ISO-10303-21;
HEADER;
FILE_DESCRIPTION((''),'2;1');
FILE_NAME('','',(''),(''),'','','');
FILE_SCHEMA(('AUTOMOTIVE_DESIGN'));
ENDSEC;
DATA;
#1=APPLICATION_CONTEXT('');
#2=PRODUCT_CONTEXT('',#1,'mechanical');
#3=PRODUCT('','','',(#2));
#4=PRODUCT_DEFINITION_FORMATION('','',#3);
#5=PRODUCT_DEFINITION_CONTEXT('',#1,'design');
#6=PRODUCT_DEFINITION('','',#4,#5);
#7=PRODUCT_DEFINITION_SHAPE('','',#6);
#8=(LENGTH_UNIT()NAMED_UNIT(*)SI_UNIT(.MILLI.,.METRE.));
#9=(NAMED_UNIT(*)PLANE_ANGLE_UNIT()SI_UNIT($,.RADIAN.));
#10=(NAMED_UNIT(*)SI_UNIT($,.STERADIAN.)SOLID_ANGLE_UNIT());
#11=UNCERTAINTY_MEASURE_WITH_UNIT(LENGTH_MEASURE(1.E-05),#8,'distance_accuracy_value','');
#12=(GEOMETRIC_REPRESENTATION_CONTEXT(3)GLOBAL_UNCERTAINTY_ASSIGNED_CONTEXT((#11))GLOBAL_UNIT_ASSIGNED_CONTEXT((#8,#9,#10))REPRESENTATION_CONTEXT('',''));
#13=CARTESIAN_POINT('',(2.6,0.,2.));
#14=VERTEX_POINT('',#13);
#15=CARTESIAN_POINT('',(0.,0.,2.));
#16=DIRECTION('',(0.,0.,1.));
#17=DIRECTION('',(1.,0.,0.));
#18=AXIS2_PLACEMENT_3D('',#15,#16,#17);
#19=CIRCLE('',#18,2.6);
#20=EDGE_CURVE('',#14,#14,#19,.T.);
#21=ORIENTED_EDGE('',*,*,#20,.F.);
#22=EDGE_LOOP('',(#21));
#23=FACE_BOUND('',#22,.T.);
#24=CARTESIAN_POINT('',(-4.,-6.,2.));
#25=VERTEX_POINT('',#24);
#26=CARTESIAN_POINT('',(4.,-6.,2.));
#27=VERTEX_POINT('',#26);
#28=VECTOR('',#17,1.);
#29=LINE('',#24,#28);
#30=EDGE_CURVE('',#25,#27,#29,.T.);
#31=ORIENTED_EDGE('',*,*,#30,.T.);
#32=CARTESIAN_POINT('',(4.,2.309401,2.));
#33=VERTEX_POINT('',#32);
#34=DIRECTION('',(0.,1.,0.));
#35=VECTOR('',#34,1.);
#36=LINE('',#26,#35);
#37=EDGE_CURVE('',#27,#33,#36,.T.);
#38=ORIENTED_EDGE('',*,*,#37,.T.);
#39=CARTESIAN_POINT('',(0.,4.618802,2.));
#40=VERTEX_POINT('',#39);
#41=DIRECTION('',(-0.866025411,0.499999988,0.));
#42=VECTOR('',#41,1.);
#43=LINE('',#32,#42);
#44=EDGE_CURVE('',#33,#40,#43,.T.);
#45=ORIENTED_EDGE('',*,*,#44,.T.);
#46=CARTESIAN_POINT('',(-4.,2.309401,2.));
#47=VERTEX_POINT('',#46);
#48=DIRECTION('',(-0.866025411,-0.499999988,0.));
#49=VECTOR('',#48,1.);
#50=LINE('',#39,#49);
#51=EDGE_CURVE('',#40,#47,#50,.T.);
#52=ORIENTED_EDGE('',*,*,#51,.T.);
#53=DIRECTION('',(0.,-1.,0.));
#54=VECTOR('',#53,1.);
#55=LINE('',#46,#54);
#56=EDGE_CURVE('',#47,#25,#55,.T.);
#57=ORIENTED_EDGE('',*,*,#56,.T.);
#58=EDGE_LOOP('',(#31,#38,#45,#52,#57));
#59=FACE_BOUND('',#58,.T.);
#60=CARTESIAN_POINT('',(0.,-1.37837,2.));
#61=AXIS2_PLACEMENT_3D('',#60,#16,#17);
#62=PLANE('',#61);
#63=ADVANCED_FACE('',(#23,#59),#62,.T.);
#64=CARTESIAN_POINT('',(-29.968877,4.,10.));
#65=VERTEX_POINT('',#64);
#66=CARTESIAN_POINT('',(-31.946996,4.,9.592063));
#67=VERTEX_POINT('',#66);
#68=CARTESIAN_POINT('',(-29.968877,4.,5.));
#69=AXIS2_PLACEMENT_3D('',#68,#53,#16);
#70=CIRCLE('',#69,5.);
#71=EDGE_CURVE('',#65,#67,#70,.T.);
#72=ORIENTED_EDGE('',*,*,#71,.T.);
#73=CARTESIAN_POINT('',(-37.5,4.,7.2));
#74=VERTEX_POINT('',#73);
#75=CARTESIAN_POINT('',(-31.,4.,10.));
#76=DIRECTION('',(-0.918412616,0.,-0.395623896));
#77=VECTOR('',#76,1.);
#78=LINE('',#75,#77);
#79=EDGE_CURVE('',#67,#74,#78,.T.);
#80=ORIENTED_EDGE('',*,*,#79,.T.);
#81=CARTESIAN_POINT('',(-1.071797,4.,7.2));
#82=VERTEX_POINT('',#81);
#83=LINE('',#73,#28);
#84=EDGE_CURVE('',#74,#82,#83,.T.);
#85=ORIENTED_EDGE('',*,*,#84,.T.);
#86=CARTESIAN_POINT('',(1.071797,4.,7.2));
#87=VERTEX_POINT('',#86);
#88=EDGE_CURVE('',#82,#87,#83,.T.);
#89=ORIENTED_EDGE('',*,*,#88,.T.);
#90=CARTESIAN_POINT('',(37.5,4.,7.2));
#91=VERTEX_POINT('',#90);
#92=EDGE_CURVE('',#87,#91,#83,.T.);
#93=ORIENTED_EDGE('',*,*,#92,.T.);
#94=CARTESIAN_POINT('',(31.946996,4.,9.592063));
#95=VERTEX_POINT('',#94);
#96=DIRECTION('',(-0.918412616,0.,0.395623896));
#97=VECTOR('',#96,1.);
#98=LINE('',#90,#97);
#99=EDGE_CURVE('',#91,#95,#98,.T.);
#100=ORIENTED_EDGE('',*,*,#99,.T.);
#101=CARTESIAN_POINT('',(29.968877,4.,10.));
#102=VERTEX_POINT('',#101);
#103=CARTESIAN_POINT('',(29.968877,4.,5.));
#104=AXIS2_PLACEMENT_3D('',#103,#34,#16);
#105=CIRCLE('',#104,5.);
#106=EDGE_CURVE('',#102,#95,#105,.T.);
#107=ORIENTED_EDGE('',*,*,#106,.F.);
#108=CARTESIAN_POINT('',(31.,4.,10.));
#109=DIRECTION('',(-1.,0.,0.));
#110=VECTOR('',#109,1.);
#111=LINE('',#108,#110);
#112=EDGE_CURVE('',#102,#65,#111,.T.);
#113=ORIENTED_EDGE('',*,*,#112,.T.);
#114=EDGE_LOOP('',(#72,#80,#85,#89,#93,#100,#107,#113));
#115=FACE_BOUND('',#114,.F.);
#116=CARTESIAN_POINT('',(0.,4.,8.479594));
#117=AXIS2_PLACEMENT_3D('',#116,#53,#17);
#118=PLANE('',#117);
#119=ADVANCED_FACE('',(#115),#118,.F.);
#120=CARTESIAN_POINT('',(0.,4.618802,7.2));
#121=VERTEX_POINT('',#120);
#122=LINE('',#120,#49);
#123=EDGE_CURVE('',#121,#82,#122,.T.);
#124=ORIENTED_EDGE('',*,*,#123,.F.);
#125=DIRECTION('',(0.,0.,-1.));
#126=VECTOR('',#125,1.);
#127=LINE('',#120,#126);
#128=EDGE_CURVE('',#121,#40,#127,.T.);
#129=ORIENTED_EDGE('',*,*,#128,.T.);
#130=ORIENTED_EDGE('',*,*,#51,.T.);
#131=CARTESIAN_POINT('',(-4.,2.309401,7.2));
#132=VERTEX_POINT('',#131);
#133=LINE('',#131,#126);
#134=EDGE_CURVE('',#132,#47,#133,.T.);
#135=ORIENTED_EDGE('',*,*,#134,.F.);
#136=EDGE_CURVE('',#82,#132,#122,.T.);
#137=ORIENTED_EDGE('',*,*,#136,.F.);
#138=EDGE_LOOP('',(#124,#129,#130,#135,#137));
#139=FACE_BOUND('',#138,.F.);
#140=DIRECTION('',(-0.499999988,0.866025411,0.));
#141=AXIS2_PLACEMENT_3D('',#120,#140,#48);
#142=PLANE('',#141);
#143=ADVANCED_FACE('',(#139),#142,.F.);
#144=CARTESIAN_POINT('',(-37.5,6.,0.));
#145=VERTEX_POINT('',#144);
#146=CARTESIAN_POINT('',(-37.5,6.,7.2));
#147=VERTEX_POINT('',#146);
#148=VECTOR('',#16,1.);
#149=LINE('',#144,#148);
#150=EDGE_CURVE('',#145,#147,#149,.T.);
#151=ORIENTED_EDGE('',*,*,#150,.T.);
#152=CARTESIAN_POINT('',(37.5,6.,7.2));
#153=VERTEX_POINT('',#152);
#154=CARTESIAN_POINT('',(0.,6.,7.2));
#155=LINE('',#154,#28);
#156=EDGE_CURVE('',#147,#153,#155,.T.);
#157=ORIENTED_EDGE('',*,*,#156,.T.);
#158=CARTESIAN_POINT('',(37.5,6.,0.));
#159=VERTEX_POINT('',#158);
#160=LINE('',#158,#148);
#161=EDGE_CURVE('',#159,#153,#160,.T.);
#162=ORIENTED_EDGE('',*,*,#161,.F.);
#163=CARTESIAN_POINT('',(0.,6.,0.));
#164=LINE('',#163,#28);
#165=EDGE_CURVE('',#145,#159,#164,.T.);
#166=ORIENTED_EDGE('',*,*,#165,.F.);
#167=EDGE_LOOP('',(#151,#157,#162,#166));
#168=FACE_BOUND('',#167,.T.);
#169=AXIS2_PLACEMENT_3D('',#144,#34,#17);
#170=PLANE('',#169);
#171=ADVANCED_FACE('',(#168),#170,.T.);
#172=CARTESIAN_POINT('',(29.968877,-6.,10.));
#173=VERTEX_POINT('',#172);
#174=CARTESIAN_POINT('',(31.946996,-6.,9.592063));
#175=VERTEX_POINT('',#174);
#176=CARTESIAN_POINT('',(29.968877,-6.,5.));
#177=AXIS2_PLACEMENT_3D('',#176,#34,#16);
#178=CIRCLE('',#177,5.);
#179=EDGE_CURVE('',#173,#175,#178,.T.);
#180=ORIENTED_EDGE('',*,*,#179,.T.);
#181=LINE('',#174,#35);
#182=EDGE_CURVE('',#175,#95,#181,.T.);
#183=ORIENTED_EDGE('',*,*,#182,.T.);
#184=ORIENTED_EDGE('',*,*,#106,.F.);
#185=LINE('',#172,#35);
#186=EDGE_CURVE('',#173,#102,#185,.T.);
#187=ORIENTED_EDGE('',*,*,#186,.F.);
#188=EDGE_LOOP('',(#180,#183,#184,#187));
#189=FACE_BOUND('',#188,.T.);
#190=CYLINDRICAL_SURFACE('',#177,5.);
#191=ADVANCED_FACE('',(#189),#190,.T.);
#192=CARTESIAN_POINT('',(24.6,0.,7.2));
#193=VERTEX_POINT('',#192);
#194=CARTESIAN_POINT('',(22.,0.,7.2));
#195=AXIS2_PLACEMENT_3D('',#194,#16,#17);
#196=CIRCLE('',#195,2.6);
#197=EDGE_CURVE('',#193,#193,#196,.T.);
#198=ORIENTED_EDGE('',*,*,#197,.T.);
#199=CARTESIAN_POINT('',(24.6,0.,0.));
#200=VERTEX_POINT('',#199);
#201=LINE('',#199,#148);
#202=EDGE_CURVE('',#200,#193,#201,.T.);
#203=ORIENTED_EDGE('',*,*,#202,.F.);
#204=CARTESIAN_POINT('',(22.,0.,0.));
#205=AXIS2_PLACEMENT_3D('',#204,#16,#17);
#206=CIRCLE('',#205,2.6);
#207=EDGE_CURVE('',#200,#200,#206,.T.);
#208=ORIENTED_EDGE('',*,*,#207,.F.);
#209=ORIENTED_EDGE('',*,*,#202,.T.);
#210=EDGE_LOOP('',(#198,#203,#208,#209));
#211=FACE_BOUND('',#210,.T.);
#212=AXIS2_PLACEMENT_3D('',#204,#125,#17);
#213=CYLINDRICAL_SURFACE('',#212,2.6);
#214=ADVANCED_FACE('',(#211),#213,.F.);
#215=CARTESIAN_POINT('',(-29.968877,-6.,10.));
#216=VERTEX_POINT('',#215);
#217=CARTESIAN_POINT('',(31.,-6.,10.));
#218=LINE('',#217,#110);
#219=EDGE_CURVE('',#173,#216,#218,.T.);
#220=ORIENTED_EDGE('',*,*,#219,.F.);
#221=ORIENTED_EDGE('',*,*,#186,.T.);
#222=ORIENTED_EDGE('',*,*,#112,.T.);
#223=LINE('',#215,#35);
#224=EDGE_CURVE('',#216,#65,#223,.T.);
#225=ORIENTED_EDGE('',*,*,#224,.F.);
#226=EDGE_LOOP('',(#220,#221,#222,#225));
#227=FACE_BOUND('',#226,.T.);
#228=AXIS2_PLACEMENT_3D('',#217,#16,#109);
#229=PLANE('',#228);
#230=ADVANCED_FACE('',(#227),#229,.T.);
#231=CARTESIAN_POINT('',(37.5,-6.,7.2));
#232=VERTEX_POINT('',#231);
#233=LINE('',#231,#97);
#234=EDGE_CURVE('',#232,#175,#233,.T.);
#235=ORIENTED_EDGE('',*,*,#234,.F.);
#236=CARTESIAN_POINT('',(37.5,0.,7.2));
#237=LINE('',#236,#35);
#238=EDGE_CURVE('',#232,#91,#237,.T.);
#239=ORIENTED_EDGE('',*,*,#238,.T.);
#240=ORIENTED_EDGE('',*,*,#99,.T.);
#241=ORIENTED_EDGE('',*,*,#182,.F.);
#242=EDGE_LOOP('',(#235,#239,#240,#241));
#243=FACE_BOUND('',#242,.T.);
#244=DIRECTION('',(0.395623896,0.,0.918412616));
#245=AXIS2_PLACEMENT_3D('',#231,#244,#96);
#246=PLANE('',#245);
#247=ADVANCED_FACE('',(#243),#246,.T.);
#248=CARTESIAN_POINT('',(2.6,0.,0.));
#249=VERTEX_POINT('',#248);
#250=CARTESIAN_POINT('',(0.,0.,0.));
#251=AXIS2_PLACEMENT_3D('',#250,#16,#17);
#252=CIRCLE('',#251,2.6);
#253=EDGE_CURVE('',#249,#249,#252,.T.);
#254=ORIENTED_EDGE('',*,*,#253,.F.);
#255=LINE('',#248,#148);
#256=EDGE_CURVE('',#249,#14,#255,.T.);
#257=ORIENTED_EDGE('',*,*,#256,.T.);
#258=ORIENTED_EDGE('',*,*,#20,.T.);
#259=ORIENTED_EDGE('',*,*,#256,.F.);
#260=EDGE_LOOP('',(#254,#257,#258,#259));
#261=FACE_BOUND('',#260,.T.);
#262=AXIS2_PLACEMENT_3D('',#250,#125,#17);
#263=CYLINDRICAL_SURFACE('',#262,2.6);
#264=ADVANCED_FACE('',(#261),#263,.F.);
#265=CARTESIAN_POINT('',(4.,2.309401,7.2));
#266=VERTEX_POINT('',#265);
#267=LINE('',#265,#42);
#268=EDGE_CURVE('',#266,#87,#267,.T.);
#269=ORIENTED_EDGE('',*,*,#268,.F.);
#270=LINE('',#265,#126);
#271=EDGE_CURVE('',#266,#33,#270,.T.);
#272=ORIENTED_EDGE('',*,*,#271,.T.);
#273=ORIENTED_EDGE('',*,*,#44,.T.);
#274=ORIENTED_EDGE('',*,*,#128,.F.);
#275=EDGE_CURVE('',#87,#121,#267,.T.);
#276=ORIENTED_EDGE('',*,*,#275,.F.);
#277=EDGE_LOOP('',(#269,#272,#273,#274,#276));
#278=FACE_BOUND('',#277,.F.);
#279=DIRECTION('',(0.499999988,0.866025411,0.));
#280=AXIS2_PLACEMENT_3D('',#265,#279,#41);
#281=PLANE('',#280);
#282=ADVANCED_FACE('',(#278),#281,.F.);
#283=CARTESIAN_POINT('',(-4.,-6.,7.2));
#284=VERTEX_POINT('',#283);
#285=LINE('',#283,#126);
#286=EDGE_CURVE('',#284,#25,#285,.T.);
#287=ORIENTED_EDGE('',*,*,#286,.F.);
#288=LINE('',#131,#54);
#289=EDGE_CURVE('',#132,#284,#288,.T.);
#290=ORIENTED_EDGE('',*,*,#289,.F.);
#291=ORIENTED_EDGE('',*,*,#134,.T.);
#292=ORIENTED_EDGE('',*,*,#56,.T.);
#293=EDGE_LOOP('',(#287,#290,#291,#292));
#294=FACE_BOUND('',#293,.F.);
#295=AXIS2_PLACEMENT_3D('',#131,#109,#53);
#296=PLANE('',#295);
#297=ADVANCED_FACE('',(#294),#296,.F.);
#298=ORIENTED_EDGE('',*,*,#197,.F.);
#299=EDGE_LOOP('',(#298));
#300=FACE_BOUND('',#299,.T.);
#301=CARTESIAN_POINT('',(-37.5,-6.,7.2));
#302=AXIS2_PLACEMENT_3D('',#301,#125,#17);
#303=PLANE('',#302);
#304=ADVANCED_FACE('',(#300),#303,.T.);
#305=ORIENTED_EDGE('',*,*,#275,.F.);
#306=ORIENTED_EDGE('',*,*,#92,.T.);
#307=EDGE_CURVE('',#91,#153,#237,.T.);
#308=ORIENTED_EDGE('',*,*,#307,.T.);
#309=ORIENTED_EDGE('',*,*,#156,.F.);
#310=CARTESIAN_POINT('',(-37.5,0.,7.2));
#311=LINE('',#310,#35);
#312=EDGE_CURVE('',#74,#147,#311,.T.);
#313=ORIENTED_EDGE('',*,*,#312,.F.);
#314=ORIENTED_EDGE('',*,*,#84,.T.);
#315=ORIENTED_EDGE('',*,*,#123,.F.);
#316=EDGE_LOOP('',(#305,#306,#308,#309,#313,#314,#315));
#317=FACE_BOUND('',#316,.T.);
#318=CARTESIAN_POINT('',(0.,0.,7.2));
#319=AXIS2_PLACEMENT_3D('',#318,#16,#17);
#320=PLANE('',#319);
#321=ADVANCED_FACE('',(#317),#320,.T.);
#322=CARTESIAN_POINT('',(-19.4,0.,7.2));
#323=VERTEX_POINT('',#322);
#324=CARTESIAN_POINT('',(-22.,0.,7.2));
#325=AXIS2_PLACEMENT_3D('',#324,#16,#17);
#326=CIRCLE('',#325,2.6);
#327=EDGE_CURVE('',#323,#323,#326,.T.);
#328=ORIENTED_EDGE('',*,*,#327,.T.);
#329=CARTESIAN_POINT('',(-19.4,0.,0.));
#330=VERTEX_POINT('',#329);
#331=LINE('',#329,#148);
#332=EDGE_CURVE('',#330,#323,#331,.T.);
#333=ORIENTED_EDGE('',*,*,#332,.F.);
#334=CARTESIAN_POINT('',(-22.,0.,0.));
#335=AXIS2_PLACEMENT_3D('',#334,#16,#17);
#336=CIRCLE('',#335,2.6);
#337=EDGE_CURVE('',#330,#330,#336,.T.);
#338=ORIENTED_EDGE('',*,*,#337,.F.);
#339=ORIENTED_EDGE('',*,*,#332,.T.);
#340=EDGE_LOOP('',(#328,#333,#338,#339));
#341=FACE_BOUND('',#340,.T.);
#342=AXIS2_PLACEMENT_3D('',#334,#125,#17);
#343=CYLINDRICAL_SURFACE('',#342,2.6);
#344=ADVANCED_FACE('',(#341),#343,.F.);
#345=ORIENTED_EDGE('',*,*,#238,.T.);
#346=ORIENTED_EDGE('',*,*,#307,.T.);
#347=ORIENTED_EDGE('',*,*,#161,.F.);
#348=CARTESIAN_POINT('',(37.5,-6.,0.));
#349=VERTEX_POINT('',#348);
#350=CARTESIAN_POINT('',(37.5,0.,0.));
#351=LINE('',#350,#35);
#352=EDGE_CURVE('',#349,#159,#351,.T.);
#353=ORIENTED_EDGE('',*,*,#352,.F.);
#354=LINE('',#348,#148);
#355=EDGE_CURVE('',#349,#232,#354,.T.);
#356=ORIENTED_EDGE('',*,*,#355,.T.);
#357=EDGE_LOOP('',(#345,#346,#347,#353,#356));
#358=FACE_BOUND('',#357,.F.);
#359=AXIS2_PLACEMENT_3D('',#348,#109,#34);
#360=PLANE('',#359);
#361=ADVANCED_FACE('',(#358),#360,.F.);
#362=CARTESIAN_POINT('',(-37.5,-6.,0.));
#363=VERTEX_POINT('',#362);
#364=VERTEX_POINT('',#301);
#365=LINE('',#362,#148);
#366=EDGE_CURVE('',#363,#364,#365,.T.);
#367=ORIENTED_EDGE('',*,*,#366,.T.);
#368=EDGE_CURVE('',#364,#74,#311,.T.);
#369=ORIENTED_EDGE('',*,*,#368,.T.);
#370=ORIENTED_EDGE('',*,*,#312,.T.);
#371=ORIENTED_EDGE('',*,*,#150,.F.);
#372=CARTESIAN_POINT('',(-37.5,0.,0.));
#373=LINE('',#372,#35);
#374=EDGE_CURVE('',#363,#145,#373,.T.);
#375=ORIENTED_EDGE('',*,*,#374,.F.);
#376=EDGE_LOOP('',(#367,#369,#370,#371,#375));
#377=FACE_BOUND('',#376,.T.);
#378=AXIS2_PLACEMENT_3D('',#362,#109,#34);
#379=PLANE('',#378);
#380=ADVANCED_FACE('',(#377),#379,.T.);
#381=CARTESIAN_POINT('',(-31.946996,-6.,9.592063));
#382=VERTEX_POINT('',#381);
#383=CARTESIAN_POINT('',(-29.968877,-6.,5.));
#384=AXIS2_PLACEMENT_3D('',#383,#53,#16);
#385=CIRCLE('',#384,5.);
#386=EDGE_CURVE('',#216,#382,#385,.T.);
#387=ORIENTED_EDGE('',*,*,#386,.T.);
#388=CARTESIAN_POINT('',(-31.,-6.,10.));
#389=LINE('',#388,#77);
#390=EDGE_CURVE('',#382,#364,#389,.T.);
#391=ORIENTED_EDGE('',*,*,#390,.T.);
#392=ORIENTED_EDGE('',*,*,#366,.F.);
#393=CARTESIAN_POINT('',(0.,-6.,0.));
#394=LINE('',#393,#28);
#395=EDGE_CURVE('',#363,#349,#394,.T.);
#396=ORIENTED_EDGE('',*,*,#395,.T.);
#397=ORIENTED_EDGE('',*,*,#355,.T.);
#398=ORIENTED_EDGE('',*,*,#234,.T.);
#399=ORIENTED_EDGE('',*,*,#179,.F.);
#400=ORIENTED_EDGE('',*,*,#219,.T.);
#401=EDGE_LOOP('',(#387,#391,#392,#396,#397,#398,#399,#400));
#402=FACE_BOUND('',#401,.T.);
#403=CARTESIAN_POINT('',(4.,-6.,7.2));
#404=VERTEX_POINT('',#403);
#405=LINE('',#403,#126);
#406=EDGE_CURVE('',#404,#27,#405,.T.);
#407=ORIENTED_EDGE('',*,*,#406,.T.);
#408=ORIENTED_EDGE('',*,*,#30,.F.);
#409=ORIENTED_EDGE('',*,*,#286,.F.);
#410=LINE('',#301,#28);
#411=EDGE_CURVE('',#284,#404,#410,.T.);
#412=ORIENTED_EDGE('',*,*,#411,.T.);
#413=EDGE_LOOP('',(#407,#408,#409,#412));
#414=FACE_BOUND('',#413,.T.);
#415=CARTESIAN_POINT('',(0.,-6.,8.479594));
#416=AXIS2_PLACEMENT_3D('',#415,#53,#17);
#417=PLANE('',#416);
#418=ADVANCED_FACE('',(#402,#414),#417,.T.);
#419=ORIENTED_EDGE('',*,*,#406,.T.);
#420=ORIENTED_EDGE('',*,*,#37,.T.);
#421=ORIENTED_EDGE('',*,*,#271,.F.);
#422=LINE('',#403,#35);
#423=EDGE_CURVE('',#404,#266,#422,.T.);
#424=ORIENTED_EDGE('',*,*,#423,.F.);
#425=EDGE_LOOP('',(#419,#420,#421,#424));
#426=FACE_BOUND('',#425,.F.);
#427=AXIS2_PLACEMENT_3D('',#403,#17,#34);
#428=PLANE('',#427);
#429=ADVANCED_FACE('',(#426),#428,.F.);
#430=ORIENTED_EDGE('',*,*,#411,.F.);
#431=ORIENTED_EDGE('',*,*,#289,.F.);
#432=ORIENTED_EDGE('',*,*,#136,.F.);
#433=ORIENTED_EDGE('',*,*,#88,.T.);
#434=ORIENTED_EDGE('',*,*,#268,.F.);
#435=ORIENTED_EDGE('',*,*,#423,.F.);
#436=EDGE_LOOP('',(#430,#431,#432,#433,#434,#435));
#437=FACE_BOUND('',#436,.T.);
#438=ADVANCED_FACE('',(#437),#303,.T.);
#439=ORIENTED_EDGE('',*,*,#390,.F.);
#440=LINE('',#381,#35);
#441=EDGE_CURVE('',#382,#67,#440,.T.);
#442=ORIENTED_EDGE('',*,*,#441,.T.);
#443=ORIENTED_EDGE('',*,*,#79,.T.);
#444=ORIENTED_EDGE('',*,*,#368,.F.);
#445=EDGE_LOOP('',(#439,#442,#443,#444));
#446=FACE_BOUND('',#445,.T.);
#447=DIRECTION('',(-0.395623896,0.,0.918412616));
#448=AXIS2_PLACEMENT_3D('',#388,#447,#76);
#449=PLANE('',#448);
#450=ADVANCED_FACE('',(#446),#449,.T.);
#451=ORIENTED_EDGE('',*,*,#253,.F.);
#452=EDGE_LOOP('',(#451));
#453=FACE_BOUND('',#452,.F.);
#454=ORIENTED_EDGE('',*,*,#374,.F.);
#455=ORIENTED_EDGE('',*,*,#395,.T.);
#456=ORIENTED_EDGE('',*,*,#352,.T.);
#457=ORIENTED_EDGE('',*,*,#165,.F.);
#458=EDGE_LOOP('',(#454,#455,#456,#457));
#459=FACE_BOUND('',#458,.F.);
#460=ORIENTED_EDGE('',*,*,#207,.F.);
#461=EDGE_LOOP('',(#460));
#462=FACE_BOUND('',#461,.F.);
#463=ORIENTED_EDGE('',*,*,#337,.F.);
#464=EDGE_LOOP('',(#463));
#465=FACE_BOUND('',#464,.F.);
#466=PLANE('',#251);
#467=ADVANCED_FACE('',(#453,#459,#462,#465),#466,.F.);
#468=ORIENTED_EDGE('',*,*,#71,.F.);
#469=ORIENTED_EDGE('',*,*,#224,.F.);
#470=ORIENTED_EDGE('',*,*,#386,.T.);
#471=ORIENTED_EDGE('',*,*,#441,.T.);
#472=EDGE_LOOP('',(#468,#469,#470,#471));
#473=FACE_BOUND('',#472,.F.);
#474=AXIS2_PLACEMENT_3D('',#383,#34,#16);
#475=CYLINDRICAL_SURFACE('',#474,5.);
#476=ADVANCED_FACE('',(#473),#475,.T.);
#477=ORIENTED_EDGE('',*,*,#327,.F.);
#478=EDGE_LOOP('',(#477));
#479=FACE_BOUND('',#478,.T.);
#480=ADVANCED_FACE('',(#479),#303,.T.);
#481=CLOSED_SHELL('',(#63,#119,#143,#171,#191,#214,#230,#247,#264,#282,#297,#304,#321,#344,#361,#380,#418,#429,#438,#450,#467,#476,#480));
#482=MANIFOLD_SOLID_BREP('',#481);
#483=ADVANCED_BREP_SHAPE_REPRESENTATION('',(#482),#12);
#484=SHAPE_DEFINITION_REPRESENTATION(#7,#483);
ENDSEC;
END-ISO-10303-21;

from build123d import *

# Parameters (mm, degrees)
F0_W     = 75
F0_H     = 12
F0_R     = 2.6
F1_DEPTH = 7.2
F2_R     = 2.6
F3_DEPTH = 5.2
F5_DEPTH = 10
F6_R     = 5


with BuildPart() as f1:
    # F0 (on Top) → F1 (new body)
    with BuildSketch(Plane.XY):
        Rectangle(F0_W, F0_H)
        with Locations((-22, 0)):
            Circle(F0_R, mode=Mode.SUBTRACT)
        Circle(F0_R, mode=Mode.SUBTRACT)
        with Locations((22, 0)):
            Circle(F0_R, mode=Mode.SUBTRACT)
    extrude(amount=F1_DEPTH)

    # F2 (on face) → F3 (cut)
    with BuildSketch(Plane.XY.offset(7.2)):
        Polygon((4, -2.309401), (4, 2.309401), (0, 4.618802), (-4, 2.309401), (-4, -2.309401), (-4, -6), (4, -6), align=None)
        Circle(F2_R, mode=Mode.SUBTRACT)
    extrude(amount=-F3_DEPTH, mode=Mode.SUBTRACT)

    # F4 (on face) → F5 (join)
    with BuildSketch(Plane.XZ.offset(6)):
        Polygon((31, 10), (-31, 10), (-37.5, 7.2), (37.5, 7.2), align=None)
    extrude(amount=-F5_DEPTH)

    # F6
    f6_edges = [f1.edges().sort_by_distance(p)[0] for p in [
        (-31, -1, 10),
        (31, -1, 10),
    ]]
    fillet(f6_edges, radius=F6_R)


solid = f1.part
